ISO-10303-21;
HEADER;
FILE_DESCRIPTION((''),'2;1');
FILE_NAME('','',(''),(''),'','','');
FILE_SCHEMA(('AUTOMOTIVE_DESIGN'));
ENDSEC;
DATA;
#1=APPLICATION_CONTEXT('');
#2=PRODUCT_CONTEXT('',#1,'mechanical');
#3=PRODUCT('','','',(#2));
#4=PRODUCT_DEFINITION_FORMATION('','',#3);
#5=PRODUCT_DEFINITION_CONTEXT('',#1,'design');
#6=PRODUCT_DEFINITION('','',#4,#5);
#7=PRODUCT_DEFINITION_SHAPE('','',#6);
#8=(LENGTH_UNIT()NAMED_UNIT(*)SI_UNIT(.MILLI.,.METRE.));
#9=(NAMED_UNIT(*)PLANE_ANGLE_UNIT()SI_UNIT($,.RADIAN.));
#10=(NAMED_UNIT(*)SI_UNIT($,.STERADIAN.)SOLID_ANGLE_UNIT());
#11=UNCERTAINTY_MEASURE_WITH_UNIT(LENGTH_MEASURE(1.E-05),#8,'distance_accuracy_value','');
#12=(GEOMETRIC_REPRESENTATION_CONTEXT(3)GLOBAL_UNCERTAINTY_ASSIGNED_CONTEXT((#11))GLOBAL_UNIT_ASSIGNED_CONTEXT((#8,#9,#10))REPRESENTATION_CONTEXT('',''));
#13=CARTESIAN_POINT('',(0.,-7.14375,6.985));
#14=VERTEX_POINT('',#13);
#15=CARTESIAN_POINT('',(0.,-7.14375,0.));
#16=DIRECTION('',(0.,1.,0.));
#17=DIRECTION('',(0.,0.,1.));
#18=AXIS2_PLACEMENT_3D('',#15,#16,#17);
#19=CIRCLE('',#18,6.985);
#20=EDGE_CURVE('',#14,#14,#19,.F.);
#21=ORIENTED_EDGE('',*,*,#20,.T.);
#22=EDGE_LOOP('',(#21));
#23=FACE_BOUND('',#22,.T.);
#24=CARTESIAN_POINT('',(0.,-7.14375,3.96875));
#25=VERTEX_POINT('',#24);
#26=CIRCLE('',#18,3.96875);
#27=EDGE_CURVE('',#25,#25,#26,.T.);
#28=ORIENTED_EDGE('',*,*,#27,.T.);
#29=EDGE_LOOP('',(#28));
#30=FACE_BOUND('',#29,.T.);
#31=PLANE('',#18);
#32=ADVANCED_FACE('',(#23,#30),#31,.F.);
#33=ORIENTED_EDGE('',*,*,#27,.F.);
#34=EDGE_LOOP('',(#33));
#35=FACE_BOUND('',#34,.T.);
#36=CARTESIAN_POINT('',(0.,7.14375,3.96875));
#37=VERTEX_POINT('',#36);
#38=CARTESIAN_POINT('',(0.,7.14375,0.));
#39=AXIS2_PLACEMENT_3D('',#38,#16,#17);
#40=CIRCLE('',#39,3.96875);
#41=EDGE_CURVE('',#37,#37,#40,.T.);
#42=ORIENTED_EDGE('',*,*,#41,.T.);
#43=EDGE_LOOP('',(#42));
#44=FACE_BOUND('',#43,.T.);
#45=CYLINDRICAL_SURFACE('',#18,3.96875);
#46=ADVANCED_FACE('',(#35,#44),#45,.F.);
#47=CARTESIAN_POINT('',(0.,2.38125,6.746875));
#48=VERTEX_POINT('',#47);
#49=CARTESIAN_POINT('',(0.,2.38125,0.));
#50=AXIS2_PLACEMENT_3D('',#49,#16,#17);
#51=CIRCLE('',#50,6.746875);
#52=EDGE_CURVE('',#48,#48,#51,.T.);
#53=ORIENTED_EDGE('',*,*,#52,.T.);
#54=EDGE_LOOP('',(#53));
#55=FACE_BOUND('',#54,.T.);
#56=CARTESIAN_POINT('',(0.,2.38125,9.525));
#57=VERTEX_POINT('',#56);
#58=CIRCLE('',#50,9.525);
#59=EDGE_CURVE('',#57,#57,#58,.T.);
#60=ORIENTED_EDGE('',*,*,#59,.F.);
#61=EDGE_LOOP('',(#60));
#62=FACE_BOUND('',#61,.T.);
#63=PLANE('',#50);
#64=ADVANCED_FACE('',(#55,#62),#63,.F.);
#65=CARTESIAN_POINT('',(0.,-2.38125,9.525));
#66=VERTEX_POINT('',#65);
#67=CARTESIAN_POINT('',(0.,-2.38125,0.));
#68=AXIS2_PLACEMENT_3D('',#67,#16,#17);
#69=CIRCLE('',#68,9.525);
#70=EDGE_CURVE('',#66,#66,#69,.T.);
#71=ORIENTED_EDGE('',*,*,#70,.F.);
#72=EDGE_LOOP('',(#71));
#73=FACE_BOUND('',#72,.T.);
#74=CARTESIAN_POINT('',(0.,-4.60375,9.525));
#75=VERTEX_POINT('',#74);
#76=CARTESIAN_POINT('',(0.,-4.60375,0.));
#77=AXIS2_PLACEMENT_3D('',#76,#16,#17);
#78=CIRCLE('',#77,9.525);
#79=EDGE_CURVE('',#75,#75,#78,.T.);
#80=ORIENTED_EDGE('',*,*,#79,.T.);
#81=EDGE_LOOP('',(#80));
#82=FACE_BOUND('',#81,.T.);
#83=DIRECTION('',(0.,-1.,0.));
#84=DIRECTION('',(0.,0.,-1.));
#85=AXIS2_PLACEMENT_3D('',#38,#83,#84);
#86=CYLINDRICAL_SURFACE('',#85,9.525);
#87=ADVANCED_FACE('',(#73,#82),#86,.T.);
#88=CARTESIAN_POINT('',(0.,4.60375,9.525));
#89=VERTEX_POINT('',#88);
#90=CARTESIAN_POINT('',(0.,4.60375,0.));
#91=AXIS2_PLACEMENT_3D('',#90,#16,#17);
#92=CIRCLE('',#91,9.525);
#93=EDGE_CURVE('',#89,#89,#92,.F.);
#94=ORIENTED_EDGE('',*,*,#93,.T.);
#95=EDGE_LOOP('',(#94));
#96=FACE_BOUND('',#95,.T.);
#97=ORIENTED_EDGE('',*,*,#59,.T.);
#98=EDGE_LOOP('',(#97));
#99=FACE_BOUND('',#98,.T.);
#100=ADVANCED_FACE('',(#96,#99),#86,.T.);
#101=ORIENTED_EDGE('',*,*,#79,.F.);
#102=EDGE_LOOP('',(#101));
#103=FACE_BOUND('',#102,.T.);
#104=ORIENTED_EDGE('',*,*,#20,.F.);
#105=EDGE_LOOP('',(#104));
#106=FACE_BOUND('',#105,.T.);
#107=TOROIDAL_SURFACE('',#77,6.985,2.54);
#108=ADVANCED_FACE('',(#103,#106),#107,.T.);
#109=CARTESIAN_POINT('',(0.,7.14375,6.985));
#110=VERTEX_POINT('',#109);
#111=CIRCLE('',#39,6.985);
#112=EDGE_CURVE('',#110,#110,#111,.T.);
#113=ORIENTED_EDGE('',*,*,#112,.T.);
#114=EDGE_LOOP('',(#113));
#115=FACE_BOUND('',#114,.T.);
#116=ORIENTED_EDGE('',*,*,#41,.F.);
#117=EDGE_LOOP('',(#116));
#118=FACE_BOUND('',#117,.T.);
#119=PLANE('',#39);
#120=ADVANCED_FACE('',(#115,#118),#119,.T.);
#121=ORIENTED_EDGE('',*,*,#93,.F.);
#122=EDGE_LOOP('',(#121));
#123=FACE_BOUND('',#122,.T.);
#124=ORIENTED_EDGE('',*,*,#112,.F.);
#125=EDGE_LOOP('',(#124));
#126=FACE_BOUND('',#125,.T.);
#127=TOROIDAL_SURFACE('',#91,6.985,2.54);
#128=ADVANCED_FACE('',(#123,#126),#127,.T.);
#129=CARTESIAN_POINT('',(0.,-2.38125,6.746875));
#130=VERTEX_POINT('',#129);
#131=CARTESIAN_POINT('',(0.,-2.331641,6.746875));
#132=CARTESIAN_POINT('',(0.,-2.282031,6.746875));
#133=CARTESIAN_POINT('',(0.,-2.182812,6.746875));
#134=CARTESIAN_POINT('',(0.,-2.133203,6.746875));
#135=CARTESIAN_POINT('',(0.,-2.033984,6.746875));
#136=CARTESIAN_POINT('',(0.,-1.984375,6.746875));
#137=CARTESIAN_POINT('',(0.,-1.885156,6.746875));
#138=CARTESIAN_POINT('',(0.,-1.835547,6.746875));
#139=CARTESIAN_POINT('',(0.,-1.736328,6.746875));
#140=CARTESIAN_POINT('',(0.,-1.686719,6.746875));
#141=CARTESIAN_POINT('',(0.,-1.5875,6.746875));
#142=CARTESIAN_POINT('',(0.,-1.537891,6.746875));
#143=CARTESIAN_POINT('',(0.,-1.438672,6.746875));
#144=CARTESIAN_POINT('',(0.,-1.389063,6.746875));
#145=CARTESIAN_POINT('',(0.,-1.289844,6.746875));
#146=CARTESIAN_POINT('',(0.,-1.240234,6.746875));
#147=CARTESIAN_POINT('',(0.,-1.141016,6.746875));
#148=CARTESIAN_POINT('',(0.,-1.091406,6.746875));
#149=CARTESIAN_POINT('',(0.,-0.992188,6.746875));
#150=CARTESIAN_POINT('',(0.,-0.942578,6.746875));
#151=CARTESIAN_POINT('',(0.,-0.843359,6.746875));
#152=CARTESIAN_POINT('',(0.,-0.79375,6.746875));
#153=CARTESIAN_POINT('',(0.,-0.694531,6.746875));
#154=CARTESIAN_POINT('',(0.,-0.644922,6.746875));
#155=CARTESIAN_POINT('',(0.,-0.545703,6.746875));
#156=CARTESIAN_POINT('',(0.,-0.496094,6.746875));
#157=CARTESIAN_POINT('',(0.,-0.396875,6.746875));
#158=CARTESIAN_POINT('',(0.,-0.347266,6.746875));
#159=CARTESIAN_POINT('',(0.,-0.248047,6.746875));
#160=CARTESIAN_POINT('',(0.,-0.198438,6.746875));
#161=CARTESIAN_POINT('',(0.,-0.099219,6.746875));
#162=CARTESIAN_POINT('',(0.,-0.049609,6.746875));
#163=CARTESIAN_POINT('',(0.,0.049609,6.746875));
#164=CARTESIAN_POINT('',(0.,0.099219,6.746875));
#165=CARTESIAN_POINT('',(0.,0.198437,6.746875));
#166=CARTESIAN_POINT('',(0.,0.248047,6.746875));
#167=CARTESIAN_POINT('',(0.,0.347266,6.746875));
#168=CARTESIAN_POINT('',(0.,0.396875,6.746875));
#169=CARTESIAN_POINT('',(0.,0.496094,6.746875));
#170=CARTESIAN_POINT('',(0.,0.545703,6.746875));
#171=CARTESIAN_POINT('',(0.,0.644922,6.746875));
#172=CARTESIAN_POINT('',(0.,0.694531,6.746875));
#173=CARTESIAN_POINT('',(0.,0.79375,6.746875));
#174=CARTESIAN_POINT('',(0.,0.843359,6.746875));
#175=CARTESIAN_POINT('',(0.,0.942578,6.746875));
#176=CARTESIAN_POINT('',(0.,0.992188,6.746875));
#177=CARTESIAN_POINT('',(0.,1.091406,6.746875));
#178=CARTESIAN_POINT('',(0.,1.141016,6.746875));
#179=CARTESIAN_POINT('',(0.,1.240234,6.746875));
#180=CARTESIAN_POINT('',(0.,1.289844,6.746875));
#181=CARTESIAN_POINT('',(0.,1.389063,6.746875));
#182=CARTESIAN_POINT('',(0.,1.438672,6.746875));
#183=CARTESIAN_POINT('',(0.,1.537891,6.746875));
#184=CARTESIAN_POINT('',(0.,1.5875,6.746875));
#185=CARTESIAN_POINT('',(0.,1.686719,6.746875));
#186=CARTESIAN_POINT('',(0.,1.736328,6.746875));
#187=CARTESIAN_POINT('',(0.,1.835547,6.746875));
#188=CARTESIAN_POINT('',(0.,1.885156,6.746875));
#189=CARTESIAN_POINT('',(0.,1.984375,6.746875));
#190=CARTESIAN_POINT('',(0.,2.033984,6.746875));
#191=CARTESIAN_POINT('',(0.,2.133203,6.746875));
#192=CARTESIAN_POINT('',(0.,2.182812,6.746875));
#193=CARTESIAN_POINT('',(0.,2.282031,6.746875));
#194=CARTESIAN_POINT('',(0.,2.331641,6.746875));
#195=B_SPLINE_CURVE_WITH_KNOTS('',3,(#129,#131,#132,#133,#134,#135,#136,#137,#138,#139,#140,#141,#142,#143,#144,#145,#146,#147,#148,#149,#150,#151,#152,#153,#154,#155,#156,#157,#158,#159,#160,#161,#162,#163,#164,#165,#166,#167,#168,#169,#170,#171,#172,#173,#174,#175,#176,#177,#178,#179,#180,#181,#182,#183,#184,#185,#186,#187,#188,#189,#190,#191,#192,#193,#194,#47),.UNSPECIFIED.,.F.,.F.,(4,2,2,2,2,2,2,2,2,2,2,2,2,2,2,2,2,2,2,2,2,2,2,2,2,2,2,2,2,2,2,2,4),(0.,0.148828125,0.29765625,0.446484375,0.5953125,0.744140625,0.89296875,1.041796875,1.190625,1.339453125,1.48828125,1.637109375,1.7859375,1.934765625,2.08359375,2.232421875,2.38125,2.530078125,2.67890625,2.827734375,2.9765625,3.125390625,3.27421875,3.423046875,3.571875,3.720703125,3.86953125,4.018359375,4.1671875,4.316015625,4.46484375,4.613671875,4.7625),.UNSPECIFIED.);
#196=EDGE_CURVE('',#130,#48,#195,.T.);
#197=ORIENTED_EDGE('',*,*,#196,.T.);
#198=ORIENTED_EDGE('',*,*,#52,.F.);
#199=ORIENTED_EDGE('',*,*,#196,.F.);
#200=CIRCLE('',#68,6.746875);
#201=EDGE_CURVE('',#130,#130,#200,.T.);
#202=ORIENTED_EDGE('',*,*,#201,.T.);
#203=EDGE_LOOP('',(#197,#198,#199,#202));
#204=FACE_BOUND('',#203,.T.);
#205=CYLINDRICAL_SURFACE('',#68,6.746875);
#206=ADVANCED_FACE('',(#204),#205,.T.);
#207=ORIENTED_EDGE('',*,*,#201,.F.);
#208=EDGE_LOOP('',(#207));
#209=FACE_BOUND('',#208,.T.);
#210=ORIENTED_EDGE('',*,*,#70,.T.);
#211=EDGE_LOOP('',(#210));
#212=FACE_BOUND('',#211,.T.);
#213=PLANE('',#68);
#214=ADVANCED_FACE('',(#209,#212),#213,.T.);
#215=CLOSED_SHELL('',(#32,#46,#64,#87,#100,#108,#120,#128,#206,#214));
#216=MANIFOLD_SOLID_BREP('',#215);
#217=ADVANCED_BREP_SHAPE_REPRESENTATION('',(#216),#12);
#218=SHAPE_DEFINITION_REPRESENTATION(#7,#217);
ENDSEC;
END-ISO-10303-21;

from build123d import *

# Parameters (mm, degrees)
SKETCH2_R           = 9.525
BOSS_EXTRUDE1_DEPTH = 7.14375
SKETCH3_R           = 9.525
SKETCH3_R_2         = 6.746875
CUT_EXTRUDE1_DEPTH  = 2.38125
FILLET1_R           = 2.54
SKETCH4_R           = 3.96875
CUT_EXTRUDE2_DEPTH  = 20.636290542


with BuildPart() as part:
    # Sketch2 → Boss-Extrude1 (new, symmetric)
    with BuildSketch(Plane(origin=(0, 0, 0), x_dir=(1, 0, 0), z_dir=(0, 1, 0))):
        with Locations(Location((0, 0, 0), (0, 0, 270))):
            Circle(SKETCH2_R)
    extrude(amount=BOSS_EXTRUDE1_DEPTH, both=True)

    # Sketch3 → Cut-Extrude1 (cut, symmetric)
    with BuildSketch(Plane(origin=(0, 0, 0), x_dir=(1, 0, 0), z_dir=(0, 1, 0))):
        with Locations(Location((0, 0, 0), (0, 0, 270))):
            Circle(SKETCH3_R)
        with Locations(Location((0, 0, 0), (0, 0, 270))):
            Circle(SKETCH3_R_2, mode=Mode.SUBTRACT)
    extrude(amount=CUT_EXTRUDE1_DEPTH, both=True, mode=Mode.SUBTRACT)

    # Fillet1
    fillet1_edges = [part.edges().sort_by_distance(p)[0] for p in [
        (0, -7.14375, -9.525),
        (0, 7.14375, -9.525),
    ]]
    fillet(fillet1_edges, radius=FILLET1_R)

    # Sketch4 → Cut-Extrude2 (cut, through all)
    with BuildSketch(Plane(origin=(0, 7.14375, 0), x_dir=(1, 0, 0), z_dir=(0, 1, 0))):
        with Locations(Location((0, 0, 0), (0, 0, 270))):
            Circle(SKETCH4_R)
    extrude(amount=-CUT_EXTRUDE2_DEPTH, mode=Mode.SUBTRACT)


solid = part.part
